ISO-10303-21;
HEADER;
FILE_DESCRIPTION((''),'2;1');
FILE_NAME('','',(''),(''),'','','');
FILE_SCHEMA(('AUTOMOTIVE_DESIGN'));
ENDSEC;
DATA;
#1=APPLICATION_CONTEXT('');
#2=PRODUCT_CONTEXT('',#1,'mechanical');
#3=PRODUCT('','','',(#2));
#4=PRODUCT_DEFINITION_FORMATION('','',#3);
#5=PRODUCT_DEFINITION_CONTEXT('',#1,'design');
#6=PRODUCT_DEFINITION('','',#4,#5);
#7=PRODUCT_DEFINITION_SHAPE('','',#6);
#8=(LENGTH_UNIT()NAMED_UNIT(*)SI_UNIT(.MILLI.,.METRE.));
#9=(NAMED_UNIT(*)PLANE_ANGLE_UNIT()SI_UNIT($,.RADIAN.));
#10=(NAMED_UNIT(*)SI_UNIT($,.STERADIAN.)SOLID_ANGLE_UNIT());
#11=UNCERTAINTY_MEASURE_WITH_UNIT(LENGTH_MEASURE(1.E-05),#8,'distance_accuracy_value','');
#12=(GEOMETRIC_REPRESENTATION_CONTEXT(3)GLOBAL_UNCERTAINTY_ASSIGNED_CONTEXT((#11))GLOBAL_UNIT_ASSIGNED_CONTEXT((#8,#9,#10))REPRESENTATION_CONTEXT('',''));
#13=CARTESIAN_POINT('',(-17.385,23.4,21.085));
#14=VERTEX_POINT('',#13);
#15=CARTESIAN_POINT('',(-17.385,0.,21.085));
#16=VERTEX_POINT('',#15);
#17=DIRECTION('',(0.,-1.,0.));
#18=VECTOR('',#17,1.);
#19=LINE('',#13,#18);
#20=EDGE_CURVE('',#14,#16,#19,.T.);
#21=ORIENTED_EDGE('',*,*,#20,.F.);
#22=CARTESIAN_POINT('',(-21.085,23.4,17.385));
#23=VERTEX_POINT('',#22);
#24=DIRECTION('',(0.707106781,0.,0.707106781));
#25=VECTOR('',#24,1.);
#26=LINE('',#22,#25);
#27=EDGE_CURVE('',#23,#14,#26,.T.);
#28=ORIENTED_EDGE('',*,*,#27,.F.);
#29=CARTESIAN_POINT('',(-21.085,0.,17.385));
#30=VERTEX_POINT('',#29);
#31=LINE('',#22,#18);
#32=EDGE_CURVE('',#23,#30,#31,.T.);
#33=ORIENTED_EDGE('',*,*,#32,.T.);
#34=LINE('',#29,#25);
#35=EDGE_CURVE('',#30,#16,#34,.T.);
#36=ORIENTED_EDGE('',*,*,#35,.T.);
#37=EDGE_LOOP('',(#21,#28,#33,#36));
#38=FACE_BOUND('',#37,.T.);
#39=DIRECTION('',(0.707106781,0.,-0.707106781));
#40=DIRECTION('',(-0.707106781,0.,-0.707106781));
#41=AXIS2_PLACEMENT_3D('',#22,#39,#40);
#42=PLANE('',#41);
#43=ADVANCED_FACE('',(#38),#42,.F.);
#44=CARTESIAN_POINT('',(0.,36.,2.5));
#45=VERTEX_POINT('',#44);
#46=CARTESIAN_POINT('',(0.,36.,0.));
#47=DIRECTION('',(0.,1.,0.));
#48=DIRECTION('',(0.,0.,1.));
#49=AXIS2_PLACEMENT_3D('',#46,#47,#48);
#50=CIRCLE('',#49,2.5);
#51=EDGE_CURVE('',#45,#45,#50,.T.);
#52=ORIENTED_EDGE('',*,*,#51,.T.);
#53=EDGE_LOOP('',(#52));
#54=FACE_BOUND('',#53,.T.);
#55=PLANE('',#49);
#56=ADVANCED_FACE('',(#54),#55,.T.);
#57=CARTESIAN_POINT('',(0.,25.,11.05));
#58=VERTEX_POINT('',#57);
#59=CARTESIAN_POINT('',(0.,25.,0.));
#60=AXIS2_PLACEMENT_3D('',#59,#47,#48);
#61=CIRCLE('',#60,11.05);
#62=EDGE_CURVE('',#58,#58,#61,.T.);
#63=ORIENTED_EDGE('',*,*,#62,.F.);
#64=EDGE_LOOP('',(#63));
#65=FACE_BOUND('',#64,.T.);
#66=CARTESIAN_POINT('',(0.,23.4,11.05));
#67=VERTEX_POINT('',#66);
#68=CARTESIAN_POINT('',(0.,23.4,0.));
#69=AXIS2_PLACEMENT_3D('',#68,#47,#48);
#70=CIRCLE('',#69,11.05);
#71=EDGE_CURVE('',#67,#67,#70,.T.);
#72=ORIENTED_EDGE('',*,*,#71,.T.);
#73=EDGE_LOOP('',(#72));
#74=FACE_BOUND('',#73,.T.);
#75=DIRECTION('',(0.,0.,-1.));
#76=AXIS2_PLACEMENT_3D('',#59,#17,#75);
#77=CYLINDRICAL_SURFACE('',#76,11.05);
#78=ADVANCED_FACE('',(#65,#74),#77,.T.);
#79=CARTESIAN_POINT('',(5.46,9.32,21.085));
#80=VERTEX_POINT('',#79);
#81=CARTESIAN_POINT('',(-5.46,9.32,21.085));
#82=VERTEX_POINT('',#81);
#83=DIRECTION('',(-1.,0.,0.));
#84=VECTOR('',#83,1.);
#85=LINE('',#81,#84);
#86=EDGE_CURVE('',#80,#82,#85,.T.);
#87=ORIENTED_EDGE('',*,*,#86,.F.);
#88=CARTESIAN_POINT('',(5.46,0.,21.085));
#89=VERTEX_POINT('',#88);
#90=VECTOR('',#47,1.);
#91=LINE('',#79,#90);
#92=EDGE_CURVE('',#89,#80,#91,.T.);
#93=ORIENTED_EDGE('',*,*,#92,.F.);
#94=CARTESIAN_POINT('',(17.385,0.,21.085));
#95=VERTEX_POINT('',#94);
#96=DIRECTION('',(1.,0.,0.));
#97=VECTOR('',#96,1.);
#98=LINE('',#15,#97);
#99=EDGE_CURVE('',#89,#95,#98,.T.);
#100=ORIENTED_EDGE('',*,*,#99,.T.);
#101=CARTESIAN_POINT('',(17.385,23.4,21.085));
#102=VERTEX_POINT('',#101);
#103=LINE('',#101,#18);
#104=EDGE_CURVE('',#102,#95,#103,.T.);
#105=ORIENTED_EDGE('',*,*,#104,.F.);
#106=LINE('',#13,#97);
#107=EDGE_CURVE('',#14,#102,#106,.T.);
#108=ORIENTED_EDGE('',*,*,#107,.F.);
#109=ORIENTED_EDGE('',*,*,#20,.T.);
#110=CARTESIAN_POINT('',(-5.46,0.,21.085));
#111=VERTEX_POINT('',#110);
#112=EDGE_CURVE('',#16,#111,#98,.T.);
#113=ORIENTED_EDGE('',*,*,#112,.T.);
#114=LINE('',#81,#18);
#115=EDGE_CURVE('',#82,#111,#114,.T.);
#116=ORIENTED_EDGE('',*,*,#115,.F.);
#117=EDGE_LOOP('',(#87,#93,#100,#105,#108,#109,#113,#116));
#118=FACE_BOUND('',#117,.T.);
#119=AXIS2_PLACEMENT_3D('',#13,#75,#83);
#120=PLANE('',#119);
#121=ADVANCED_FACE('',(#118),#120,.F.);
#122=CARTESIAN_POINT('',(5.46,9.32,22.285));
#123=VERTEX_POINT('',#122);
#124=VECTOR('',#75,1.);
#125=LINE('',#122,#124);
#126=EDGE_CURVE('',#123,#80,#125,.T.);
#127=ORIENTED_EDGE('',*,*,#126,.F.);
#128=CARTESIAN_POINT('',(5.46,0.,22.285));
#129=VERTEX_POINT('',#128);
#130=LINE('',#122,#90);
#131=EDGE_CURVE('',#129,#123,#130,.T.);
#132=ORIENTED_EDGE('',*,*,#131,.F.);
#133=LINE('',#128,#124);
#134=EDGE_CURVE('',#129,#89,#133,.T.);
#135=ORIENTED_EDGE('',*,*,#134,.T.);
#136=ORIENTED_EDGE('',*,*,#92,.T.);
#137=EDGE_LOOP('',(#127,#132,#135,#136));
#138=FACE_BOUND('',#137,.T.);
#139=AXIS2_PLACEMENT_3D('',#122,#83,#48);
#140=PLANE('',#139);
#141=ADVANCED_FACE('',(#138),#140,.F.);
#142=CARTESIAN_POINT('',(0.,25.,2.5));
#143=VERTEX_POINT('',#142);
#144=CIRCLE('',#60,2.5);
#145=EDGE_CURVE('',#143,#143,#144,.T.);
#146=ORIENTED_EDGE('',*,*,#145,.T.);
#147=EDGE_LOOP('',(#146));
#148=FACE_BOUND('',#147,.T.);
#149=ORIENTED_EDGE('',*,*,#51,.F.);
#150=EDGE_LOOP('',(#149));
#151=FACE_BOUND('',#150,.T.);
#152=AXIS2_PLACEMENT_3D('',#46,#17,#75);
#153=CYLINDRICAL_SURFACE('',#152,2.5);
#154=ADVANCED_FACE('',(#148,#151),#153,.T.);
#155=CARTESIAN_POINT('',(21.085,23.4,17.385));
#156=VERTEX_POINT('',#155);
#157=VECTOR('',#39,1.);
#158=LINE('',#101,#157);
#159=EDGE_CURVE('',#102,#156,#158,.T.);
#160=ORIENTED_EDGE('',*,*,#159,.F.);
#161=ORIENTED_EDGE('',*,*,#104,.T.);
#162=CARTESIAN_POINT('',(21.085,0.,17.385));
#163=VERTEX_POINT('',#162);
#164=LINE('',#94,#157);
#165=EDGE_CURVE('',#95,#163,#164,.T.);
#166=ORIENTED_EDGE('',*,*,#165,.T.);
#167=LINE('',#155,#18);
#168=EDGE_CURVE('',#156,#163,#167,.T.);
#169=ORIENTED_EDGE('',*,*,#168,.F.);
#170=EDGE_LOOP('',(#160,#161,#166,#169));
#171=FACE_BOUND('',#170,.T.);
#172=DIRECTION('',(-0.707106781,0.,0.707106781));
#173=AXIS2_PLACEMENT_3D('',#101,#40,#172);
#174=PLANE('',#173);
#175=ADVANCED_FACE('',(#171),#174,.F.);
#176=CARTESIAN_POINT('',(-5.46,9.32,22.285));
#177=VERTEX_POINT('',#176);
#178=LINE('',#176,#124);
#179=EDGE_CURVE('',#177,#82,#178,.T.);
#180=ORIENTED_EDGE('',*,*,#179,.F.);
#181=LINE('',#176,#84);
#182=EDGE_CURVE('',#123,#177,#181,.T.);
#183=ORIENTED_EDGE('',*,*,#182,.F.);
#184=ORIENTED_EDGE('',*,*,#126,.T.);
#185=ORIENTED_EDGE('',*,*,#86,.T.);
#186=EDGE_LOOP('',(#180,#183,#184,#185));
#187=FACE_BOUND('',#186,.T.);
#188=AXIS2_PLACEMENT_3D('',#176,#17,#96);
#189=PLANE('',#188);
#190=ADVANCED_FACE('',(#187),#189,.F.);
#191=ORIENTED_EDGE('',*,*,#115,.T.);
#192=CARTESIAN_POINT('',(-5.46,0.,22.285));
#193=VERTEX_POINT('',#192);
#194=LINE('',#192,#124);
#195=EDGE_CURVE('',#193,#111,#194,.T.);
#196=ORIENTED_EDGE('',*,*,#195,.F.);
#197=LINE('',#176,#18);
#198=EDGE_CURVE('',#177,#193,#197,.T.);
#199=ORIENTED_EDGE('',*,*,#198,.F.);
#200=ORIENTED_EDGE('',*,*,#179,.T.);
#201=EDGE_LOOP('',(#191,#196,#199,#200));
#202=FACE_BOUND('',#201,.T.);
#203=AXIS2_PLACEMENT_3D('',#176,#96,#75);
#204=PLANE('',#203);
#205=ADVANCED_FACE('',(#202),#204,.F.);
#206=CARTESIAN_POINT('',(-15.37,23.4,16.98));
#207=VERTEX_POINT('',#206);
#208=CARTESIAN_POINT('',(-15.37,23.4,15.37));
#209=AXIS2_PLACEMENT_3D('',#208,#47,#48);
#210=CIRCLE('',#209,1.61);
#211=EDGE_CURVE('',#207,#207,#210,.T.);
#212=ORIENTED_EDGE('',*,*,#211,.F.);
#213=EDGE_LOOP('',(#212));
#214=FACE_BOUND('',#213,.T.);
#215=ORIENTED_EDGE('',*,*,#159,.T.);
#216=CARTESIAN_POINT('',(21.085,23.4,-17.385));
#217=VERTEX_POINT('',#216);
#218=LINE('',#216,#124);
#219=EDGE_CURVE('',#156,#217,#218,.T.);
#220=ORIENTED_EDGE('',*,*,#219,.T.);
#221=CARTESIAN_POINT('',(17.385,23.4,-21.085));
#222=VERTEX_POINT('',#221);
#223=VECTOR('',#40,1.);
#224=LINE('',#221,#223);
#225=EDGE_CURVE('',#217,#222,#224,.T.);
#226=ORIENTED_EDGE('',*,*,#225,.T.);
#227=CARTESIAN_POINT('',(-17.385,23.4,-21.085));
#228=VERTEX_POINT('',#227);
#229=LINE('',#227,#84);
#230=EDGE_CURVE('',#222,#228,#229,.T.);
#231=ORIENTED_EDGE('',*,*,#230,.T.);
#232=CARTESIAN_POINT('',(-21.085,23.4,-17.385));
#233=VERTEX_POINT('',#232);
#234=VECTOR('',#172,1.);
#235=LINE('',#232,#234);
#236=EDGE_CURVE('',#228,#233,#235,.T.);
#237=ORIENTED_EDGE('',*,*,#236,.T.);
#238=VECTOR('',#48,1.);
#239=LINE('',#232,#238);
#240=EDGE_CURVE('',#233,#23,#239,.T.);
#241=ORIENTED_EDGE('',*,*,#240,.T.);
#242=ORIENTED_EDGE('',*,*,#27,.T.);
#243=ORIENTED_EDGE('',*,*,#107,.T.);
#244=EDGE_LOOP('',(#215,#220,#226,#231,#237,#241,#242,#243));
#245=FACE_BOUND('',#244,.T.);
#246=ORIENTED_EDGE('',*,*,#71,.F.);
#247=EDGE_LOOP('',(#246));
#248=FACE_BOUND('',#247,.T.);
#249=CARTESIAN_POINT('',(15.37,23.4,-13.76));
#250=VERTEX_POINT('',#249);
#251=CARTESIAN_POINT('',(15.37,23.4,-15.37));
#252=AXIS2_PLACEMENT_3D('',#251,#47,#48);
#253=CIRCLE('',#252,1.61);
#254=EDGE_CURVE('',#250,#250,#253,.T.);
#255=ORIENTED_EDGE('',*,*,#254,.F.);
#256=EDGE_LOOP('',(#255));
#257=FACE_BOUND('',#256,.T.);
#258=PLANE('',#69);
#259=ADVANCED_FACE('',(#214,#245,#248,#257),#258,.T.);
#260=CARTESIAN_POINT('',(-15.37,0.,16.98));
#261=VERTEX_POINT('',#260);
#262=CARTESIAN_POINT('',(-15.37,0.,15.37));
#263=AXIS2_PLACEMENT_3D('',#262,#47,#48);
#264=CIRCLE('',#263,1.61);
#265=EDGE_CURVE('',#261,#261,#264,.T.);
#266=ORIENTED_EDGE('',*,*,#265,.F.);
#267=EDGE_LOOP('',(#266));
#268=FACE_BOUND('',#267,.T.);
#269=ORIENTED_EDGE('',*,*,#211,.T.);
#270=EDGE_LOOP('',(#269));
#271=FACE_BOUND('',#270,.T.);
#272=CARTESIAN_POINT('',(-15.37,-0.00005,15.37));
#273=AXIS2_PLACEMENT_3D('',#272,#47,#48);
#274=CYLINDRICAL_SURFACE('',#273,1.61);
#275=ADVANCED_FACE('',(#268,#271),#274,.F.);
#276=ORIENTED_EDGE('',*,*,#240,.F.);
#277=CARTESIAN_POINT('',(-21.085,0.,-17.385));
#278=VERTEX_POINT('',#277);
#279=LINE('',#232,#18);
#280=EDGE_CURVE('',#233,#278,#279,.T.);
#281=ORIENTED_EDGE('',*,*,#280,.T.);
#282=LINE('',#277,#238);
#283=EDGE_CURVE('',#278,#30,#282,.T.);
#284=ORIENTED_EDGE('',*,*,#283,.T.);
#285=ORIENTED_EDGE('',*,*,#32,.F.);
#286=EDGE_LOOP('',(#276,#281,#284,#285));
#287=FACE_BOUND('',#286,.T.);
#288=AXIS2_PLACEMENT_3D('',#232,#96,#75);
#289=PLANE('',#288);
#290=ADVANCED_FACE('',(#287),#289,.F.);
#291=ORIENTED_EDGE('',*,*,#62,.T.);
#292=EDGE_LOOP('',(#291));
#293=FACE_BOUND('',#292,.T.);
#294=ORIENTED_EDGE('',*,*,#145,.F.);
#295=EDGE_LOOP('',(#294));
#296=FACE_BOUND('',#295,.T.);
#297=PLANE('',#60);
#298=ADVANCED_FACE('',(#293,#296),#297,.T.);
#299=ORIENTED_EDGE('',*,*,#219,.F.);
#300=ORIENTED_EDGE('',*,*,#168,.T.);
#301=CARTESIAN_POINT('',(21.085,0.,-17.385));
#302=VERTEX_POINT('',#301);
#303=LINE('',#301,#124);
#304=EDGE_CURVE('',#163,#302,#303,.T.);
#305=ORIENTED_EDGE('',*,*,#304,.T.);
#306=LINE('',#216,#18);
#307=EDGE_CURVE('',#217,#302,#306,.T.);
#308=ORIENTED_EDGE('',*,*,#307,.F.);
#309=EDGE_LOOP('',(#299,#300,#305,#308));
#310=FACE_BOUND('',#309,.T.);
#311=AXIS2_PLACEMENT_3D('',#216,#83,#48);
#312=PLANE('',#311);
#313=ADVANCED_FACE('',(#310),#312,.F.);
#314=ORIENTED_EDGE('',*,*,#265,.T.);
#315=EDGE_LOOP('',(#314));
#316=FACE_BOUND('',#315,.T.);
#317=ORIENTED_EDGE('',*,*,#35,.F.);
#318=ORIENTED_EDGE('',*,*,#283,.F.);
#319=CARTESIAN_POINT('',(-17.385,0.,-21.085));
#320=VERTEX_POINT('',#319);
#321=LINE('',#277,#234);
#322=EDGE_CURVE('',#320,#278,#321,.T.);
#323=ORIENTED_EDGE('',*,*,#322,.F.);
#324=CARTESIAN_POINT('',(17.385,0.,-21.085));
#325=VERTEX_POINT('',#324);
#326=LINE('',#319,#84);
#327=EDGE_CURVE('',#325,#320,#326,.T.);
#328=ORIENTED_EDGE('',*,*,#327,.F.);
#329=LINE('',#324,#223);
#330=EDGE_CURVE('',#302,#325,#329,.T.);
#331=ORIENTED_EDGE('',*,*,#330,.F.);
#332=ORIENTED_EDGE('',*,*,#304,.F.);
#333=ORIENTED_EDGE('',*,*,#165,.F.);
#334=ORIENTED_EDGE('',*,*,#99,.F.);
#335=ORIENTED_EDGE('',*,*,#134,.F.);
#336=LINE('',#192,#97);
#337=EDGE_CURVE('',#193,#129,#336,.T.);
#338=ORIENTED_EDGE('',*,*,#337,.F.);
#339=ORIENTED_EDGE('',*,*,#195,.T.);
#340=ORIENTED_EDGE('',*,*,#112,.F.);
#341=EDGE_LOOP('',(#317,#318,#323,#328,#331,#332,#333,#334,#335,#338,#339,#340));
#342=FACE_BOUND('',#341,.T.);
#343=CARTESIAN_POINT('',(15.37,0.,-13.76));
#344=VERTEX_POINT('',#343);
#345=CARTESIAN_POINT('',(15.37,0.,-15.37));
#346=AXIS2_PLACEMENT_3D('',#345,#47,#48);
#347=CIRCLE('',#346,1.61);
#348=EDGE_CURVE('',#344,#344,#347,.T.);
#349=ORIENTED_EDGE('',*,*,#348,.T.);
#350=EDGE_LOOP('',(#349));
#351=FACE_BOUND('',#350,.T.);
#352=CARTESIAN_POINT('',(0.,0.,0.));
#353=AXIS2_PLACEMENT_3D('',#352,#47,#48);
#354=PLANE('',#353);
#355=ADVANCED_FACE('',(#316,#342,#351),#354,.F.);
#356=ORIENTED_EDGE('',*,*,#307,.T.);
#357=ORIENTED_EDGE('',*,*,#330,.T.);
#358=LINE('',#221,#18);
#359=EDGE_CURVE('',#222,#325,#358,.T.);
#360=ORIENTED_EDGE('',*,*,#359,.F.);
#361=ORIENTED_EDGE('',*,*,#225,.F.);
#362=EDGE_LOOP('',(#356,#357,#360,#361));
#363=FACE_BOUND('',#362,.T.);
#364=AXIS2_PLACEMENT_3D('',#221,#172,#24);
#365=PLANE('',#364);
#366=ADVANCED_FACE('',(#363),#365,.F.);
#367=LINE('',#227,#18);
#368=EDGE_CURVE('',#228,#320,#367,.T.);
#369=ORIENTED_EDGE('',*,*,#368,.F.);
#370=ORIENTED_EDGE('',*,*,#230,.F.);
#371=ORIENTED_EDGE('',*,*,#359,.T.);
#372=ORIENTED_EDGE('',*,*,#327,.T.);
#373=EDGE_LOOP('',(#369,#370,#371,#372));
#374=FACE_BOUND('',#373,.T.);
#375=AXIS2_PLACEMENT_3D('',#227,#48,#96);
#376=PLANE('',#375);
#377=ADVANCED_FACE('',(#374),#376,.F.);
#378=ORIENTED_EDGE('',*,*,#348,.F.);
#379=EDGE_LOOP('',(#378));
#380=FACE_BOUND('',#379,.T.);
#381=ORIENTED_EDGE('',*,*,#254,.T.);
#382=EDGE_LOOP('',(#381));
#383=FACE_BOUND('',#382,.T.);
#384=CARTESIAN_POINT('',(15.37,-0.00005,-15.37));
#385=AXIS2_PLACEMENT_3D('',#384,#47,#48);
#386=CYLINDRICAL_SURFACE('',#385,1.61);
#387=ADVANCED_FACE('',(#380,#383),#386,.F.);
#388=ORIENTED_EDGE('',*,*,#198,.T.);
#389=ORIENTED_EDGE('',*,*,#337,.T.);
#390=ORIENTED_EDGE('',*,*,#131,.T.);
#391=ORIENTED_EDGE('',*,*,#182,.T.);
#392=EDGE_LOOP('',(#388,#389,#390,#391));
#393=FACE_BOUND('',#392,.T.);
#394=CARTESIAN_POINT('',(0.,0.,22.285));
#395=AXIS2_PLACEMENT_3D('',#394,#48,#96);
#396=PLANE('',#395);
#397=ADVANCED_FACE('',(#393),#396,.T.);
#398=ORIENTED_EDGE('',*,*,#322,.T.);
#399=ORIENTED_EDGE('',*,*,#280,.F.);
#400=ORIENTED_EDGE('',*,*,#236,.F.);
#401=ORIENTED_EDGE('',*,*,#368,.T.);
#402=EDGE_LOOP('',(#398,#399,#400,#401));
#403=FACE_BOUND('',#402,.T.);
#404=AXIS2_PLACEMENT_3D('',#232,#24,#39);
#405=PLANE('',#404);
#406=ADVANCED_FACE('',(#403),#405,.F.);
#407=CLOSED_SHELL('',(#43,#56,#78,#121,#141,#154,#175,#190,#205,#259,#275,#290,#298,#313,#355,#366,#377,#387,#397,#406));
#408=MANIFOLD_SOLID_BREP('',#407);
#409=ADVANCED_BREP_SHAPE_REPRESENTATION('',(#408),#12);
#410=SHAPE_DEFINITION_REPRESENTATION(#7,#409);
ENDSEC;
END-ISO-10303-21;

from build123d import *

# Parameters (mm, degrees)
BOSS_EXTRUDE1_DEPTH = 23.4
SKETCH2_W           = 10.92
SKETCH2_H           = 9.32
BOSS_EXTRUDE2_DEPTH = 1.2
SKETCH3_R           = 1.61
CUT_EXTRUDE1_DEPTH  = 24.4
SKETCH4_R           = 11.05
BOSS_EXTRUDE3_DEPTH = 1.6
SKETCH5_R           = 2.5
BOSS_EXTRUDE4_DEPTH = 11


with BuildPart() as part:
    # Sketch1 → Boss-Extrude1 (new body)
    with BuildSketch(Plane(origin=(0, 0, 0), x_dir=(1, 0, 0), z_dir=(0, 1, 0))):
        Polygon((-17.385, 21.085), (17.385, 21.085), (21.085, 17.385), (21.085, -17.385), (17.385, -21.085), (-17.385, -21.085), (-21.085, -17.385), (-21.085, 17.385), align=None)
    extrude(amount=BOSS_EXTRUDE1_DEPTH)

    # Sketch2 → Boss-Extrude2 (add)
    with BuildSketch(Plane.XY.offset(21.085)):
        with Locations((0, 4.66)):
            Rectangle(SKETCH2_W, SKETCH2_H)
    extrude(amount=BOSS_EXTRUDE2_DEPTH)

    # Sketch3 → Cut-Extrude1 (cut, through all)
    with BuildSketch(Plane(origin=(0, 23.4, 0), x_dir=(1, 0, 0), z_dir=(0, 1, 0))):
        with Locations((-15.37, -15.37)):
            Circle(SKETCH3_R)
        with Locations((15.37, 15.37)):
            Circle(SKETCH3_R)
    extrude(amount=-CUT_EXTRUDE1_DEPTH, mode=Mode.SUBTRACT)

    # Sketch4 → Boss-Extrude3 (add)
    with BuildSketch(Plane(origin=(0, 23.4, 0), x_dir=(1, 0, 0), z_dir=(0, 1, 0))):
        Circle(SKETCH4_R)
    extrude(amount=BOSS_EXTRUDE3_DEPTH)

    # Sketch5 → Boss-Extrude4 (add)
    with BuildSketch(Plane(origin=(0, 25, 0), x_dir=(1, 0, 0), z_dir=(0, 1, 0))):
        Circle(SKETCH5_R)
    extrude(amount=BOSS_EXTRUDE4_DEPTH)


solid = part.part
